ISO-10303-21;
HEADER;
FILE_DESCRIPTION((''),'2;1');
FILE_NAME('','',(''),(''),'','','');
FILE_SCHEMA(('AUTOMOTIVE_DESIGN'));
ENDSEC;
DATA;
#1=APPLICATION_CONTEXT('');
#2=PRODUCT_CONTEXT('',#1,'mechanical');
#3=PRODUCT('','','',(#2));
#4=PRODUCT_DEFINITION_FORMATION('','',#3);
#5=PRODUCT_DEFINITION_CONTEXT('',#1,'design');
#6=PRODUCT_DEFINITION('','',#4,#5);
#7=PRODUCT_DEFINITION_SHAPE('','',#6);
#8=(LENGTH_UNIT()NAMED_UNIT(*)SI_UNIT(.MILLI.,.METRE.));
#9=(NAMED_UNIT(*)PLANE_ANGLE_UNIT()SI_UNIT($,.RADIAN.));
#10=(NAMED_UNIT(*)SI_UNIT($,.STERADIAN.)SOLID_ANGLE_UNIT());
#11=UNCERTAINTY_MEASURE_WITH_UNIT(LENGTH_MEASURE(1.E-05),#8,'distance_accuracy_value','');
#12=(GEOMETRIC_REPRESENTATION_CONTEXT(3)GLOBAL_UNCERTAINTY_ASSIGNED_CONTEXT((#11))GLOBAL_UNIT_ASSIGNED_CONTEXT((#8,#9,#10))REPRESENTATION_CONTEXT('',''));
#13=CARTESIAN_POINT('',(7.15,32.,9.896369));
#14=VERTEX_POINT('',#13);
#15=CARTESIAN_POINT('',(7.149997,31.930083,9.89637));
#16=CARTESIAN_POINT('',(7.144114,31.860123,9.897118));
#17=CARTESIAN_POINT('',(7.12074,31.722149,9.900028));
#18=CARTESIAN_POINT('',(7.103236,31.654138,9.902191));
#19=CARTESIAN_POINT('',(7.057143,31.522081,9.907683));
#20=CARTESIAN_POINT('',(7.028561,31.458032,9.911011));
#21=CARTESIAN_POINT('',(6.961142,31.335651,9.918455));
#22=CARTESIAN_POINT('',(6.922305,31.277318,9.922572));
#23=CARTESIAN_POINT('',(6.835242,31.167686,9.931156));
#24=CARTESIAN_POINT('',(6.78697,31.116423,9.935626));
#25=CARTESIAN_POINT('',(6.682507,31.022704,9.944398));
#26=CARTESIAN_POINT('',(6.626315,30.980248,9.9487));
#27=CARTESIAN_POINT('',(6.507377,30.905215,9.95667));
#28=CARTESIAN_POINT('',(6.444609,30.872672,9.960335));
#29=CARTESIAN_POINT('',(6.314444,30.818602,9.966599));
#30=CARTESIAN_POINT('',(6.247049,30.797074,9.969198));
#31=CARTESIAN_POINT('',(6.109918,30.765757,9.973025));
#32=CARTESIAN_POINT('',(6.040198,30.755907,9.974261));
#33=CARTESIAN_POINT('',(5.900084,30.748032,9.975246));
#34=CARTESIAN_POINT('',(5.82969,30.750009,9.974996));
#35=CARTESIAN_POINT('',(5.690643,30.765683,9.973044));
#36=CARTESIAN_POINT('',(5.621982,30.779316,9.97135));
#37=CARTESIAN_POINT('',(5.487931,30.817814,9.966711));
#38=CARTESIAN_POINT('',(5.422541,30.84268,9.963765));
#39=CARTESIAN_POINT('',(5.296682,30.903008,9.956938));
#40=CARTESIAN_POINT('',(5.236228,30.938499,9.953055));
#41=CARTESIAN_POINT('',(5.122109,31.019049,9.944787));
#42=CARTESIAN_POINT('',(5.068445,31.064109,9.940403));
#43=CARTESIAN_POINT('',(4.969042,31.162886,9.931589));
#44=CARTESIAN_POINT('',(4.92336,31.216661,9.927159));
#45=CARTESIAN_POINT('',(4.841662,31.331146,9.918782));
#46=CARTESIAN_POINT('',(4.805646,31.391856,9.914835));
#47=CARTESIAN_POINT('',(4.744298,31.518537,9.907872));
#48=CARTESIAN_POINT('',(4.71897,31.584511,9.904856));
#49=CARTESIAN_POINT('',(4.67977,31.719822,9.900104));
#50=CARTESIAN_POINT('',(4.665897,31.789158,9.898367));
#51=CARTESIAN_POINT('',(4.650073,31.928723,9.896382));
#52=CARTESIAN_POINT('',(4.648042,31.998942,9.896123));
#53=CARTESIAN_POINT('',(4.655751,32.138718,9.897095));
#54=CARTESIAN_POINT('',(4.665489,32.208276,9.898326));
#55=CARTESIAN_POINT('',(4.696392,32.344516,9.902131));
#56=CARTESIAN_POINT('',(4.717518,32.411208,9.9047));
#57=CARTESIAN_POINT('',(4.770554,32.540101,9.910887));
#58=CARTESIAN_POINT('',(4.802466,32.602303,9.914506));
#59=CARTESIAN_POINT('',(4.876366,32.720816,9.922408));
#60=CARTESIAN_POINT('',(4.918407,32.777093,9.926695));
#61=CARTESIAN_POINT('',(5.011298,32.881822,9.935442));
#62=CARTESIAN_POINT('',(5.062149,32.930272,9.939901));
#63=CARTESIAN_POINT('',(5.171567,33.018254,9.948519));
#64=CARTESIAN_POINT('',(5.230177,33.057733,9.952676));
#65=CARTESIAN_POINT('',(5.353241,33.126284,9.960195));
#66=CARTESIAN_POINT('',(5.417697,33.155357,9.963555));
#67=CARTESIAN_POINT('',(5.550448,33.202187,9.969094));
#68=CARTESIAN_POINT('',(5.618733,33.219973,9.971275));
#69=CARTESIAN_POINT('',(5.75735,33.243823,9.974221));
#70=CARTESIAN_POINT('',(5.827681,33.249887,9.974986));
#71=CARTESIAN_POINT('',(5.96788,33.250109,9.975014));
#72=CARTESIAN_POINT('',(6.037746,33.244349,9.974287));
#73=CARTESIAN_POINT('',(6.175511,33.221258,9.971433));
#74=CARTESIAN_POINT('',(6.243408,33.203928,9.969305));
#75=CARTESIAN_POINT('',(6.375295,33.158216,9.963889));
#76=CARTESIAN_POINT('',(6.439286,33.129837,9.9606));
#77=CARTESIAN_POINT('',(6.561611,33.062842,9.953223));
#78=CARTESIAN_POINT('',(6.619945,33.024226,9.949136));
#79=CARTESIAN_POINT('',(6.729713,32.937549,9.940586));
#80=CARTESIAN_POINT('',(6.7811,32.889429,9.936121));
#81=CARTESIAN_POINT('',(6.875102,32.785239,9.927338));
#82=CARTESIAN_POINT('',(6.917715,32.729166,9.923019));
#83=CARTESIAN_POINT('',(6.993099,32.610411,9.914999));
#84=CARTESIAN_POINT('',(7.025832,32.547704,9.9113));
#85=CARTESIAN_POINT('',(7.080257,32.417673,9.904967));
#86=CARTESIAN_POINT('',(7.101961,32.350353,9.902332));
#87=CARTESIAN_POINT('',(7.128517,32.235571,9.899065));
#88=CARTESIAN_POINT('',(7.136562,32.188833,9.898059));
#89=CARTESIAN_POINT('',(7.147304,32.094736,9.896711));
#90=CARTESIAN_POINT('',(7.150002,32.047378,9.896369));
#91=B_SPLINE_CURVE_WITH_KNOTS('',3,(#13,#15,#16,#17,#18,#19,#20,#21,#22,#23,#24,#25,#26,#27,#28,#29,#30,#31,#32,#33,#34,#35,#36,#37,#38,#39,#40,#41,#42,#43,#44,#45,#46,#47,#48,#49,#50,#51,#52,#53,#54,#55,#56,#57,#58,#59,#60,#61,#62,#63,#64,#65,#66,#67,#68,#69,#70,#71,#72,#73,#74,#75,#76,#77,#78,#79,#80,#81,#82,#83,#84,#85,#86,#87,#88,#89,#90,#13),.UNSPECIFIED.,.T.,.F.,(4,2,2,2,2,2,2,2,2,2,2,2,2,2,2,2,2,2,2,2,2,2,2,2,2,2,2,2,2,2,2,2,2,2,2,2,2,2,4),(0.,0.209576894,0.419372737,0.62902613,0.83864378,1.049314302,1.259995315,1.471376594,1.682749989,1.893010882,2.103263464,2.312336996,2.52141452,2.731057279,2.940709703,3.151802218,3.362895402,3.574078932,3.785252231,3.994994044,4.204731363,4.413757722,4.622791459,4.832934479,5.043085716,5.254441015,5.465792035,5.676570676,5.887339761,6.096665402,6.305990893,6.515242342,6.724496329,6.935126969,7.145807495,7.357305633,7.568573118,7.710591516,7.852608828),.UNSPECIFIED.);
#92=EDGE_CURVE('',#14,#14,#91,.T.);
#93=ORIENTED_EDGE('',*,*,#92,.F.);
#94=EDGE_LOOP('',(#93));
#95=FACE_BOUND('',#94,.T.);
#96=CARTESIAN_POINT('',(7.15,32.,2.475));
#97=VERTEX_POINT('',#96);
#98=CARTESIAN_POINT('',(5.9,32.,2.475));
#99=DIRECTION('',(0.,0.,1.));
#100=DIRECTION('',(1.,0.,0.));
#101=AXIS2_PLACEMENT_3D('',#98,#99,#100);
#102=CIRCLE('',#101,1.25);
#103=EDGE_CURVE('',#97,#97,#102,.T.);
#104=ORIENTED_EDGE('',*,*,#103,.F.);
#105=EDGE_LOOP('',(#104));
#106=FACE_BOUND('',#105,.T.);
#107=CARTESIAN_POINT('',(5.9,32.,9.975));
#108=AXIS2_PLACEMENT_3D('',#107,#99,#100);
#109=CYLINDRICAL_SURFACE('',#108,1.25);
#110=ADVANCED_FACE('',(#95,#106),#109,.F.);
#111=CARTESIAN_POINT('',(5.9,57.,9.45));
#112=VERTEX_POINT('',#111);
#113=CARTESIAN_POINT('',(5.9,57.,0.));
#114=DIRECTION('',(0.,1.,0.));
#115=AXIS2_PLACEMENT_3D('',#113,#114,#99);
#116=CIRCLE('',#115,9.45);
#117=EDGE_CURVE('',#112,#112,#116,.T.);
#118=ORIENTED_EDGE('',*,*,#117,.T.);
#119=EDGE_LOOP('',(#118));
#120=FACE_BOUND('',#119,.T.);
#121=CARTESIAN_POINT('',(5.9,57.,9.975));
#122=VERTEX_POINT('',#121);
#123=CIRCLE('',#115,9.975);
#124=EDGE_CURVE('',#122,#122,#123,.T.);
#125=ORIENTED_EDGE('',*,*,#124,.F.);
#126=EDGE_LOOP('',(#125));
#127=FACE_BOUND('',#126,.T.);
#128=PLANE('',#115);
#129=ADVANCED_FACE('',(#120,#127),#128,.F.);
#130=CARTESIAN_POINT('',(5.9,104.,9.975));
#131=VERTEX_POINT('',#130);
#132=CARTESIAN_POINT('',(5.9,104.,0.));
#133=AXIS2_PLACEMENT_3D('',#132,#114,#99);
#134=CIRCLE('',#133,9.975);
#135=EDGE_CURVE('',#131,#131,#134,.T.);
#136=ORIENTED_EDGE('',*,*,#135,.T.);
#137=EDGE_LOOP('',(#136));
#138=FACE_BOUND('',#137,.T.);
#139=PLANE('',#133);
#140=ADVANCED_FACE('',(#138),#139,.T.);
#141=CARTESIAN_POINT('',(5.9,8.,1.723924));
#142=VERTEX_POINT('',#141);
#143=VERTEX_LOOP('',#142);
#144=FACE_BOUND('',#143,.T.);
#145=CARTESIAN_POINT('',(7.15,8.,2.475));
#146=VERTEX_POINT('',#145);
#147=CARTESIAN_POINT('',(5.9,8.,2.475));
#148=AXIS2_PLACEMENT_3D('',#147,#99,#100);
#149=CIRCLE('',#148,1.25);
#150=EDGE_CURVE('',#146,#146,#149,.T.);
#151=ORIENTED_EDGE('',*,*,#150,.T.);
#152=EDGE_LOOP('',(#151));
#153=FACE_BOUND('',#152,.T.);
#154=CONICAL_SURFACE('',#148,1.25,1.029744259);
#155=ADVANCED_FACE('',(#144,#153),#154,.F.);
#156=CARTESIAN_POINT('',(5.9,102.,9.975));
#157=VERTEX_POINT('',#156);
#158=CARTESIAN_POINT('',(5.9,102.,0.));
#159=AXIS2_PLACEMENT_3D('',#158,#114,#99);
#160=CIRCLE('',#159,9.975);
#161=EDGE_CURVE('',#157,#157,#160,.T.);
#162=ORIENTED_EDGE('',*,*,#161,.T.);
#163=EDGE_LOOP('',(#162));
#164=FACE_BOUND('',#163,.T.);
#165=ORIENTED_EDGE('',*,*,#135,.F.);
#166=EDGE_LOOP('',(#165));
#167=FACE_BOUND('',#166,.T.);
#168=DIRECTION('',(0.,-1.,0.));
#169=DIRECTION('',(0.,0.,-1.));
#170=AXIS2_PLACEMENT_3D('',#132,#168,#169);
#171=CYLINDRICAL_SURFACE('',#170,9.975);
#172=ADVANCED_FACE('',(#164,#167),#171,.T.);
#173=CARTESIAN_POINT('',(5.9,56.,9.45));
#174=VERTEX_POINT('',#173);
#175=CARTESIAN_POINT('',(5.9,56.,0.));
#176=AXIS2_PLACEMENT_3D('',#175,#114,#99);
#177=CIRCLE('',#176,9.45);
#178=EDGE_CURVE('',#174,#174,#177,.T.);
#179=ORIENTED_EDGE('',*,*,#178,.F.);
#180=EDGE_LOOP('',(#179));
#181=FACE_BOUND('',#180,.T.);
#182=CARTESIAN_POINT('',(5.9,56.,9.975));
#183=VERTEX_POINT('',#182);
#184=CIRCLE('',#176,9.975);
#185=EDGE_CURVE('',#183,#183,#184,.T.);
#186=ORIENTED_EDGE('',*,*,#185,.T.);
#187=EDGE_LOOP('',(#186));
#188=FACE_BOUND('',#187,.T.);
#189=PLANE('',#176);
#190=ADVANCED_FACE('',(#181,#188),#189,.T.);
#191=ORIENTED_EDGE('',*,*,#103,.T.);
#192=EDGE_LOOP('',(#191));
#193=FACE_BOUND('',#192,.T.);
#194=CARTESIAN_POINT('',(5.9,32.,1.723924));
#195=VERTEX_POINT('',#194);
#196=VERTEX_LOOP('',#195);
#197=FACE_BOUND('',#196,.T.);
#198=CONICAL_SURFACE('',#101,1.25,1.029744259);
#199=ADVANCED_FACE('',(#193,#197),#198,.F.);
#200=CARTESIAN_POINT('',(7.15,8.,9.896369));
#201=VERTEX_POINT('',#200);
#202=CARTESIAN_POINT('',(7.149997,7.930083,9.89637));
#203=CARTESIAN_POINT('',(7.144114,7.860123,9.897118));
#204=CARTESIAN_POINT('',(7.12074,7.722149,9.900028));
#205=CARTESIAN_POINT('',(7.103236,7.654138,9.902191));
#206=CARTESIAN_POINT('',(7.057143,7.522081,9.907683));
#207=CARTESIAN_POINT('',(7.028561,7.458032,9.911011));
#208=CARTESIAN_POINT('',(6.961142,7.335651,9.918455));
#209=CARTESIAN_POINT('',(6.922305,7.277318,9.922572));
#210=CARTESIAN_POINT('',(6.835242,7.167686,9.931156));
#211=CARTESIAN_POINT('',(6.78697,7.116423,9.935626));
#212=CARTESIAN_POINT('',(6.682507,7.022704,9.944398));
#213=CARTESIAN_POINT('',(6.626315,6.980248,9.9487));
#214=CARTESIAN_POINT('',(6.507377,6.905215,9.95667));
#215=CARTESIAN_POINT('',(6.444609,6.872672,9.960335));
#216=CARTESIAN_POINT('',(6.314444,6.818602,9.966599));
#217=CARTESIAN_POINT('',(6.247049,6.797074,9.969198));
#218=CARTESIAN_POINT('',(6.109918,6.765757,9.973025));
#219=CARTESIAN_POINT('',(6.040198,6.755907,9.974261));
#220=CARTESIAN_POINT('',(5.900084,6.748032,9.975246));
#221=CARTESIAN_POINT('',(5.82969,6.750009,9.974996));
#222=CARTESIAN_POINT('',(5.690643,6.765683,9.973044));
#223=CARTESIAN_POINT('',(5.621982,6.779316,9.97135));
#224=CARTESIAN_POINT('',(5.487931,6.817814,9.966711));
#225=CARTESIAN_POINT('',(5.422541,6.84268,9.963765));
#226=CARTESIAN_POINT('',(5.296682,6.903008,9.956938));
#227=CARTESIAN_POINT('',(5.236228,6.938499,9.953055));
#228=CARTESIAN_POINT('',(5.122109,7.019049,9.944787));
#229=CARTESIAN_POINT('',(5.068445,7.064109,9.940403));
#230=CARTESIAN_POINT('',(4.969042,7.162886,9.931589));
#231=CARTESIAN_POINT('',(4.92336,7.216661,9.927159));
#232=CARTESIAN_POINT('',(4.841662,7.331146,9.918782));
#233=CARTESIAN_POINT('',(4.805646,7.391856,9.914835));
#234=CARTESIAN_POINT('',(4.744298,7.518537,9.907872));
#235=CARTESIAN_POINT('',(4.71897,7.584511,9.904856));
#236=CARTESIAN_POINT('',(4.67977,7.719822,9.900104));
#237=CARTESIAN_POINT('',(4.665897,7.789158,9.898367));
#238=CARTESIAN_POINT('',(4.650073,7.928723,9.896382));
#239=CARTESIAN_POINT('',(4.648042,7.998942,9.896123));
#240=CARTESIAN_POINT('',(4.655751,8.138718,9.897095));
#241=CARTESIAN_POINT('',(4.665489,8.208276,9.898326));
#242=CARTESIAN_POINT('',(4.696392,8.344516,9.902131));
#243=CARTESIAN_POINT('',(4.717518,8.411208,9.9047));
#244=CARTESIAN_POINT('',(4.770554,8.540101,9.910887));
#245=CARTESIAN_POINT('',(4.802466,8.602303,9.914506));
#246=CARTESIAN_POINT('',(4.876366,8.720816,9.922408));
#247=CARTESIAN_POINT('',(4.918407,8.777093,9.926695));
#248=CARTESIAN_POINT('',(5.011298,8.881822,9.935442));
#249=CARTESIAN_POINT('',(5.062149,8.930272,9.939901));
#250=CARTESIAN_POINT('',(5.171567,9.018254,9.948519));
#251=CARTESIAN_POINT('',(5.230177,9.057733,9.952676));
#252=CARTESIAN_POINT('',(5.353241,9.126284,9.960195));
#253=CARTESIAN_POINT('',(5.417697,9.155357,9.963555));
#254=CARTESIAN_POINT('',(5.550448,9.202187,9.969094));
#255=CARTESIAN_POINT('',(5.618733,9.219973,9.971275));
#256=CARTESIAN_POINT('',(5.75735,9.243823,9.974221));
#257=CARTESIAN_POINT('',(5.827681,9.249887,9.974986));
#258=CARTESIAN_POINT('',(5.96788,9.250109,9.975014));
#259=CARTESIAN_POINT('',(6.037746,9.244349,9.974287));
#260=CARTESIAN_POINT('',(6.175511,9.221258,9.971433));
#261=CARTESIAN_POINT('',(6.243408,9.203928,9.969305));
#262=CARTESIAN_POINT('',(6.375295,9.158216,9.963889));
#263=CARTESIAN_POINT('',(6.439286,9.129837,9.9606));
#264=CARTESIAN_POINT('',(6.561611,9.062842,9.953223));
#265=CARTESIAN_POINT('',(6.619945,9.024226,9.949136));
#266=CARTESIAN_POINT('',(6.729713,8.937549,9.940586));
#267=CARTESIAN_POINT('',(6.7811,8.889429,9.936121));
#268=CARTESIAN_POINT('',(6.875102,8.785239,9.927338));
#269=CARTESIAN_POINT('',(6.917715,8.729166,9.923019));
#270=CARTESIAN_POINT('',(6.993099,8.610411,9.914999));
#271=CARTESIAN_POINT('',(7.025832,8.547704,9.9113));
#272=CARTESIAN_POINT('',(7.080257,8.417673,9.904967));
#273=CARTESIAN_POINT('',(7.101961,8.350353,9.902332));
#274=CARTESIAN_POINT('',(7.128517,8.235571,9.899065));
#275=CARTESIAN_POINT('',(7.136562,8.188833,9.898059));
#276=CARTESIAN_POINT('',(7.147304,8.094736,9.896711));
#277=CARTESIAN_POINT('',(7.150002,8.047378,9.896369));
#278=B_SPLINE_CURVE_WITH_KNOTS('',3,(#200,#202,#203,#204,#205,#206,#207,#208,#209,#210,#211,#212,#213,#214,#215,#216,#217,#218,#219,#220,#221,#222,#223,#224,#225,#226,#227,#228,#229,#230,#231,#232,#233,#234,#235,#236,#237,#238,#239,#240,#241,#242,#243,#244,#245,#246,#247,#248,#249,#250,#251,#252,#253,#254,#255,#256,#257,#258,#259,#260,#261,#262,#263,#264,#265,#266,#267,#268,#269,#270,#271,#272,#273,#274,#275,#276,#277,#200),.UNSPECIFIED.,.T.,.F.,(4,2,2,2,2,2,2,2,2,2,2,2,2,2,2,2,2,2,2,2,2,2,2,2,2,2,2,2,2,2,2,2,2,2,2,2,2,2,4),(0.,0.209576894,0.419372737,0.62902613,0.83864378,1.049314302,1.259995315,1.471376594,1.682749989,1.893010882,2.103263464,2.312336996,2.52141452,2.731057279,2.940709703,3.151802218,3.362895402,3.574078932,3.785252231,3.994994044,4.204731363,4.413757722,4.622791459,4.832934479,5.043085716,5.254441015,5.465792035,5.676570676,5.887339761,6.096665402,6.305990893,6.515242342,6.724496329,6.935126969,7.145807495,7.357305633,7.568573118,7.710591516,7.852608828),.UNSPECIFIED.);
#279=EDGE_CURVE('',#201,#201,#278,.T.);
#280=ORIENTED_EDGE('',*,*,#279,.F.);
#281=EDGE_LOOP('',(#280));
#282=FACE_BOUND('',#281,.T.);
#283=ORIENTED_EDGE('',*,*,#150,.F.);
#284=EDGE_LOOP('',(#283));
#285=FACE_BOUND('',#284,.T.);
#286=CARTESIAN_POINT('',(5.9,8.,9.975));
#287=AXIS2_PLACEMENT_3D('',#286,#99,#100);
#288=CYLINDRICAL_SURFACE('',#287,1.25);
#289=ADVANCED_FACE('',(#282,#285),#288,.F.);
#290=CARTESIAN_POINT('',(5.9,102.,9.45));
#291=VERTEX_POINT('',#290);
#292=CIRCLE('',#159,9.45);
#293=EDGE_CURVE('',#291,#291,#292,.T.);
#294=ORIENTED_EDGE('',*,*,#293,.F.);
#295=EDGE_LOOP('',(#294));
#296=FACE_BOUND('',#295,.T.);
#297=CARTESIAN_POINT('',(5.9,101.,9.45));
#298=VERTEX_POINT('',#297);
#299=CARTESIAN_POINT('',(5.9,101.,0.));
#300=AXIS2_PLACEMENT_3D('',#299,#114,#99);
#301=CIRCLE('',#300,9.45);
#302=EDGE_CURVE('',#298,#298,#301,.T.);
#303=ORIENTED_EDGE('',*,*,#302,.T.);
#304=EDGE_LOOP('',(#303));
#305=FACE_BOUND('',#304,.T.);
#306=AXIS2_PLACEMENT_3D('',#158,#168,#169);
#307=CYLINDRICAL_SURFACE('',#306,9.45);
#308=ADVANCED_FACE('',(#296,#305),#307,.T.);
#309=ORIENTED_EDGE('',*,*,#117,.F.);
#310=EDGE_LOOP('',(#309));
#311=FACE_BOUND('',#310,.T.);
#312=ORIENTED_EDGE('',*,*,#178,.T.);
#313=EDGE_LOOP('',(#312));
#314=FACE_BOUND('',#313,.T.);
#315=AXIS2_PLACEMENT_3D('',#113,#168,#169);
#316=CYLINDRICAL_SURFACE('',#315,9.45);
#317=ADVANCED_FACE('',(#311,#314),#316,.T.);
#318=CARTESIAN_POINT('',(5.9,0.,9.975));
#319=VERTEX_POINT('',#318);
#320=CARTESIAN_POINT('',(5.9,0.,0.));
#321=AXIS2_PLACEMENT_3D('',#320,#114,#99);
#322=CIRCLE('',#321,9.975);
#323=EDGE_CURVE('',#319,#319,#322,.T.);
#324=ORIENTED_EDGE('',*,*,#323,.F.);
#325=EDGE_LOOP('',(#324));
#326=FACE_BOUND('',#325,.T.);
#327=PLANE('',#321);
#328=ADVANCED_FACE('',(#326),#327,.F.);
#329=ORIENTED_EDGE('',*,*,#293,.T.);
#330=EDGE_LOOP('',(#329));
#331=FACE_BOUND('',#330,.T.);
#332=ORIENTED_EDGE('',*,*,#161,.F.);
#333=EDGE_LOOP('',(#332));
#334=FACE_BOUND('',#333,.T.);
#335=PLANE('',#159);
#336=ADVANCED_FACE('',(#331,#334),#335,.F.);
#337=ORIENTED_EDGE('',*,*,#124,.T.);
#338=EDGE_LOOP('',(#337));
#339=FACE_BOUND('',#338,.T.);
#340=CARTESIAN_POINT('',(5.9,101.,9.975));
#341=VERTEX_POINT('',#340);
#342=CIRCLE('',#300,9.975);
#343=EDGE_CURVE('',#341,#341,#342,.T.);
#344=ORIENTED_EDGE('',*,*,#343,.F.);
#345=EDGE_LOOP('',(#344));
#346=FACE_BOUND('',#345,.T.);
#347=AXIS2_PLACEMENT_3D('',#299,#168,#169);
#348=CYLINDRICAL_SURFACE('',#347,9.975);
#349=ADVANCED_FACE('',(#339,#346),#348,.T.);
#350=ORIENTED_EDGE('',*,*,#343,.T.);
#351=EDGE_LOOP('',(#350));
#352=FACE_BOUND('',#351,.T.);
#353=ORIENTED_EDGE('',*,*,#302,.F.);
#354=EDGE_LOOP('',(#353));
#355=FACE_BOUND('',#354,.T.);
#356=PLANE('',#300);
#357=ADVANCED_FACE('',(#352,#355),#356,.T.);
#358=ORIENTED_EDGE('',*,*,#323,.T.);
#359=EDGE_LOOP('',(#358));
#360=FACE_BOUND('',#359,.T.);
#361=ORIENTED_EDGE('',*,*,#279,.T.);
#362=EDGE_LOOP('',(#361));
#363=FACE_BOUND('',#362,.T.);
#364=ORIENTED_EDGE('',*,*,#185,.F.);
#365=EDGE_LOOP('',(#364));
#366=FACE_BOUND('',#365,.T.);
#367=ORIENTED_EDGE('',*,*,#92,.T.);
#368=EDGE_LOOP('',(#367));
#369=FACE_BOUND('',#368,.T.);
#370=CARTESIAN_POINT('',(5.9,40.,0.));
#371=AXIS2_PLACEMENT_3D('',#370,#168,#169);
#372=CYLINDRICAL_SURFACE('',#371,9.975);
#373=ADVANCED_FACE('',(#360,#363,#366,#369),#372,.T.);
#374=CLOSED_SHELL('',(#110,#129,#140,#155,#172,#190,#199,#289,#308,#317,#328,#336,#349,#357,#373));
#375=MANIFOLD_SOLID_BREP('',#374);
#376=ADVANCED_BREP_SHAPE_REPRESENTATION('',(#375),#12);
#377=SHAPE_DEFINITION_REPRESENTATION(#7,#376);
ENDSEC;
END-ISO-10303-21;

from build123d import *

# Parameters (mm, degrees)
SKETCH_1_R        = 9.975
EXTRUDE_1_DEPTH   = 40
SKETCH_5_R        = 9.975
F_16MM_DEPTH      = 16
SKETCH_6_R        = 9.45
EXTRUDE_1_2_DEPTH = 1
SKETCH_7_R        = 9.975
EXTRUDE_4_DEPTH   = 44
SKETCH_8_R        = 9.45
EXTRUDE_2_DEPTH   = 1
SKETCH_9_R        = 9.975
EXTRUDE_6_DEPTH   = 2


with BuildPart() as part:
    # 草图1 → Extrude 1 (new body)
    with BuildSketch(Plane(origin=(0, 0, 0), x_dir=(1, 0, 0), z_dir=(0, 1, 0))):
        with Locations(Location((5.9, 0, 0), (0, 0, 270))):
            Circle(SKETCH_1_R)
    extrude(amount=EXTRUDE_1_DEPTH)

    # 草图5 → 16mm 铰链间距 (add)
    with BuildSketch(Plane(origin=(0, 40, 0), x_dir=(1, 0, 0), z_dir=(0, 1, 0))):
        with Locations(Location((5.9, 0, 0), (0, 0, 270))):
            Circle(SKETCH_5_R)
    extrude(amount=F_16MM_DEPTH)

    # 草图6 → Extrude 1 2 (add)
    with BuildSketch(Plane(origin=(0, 56, 0), x_dir=(1, 0, 0), z_dir=(0, 1, 0))):
        with Locations(Location((5.9, 0, 0), (0, 0, 270))):
            Circle(SKETCH_6_R)
    extrude(amount=EXTRUDE_1_2_DEPTH)

    # 草图7 → 凸台-拉伸4 (add)
    with BuildSketch(Plane(origin=(0, 57, 0), x_dir=(1, 0, 0), z_dir=(0, 1, 0))):
        with Locations(Location((5.9, 0, 0), (0, 0, 270))):
            Circle(SKETCH_7_R)
    extrude(amount=EXTRUDE_4_DEPTH)

    # 草图8 → 卡簧2 (add)
    with BuildSketch(Plane(origin=(0, 101, 0), x_dir=(1, 0, 0), z_dir=(0, 1, 0))):
        with Locations(Location((5.9, 0, 0), (0, 0, 270))):
            Circle(SKETCH_8_R)
    extrude(amount=EXTRUDE_2_DEPTH)

    # 草图9 → 凸台-拉伸6 (add)
    with BuildSketch(Plane(origin=(0, 102, 0), x_dir=(1, 0, 0), z_dir=(0, 1, 0))):
        with Locations(Location((5.9, 0, 0), (0, 0, 270))):
            Circle(SKETCH_9_R)
    extrude(amount=EXTRUDE_6_DEPTH)

    # 草图22 → M3 螺纹孔7 (revolve, cut)
    with BuildSketch(Plane(origin=(5.9, 8, 9.975), x_dir=(0, -1, 0), z_dir=(1, 0, 0))):
        Polygon((0, 0), (0, 8.251075774), (1.25, 7.5), (1.25, 0), align=None)
    hole_wizard_m3_7 = revolve(axis=Axis((5.9, 8, 16.325), (0, 0, -1)), mode=Mode.SUBTRACT)

    # 镜向1: M3 螺纹孔7 across plane
    add(hole_wizard_m3_7.mirror(Plane(origin=(0, 20, 0), x_dir=(0, 0, 1), z_dir=(0, -1, 0))), mode=Mode.SUBTRACT)


solid = part.part
